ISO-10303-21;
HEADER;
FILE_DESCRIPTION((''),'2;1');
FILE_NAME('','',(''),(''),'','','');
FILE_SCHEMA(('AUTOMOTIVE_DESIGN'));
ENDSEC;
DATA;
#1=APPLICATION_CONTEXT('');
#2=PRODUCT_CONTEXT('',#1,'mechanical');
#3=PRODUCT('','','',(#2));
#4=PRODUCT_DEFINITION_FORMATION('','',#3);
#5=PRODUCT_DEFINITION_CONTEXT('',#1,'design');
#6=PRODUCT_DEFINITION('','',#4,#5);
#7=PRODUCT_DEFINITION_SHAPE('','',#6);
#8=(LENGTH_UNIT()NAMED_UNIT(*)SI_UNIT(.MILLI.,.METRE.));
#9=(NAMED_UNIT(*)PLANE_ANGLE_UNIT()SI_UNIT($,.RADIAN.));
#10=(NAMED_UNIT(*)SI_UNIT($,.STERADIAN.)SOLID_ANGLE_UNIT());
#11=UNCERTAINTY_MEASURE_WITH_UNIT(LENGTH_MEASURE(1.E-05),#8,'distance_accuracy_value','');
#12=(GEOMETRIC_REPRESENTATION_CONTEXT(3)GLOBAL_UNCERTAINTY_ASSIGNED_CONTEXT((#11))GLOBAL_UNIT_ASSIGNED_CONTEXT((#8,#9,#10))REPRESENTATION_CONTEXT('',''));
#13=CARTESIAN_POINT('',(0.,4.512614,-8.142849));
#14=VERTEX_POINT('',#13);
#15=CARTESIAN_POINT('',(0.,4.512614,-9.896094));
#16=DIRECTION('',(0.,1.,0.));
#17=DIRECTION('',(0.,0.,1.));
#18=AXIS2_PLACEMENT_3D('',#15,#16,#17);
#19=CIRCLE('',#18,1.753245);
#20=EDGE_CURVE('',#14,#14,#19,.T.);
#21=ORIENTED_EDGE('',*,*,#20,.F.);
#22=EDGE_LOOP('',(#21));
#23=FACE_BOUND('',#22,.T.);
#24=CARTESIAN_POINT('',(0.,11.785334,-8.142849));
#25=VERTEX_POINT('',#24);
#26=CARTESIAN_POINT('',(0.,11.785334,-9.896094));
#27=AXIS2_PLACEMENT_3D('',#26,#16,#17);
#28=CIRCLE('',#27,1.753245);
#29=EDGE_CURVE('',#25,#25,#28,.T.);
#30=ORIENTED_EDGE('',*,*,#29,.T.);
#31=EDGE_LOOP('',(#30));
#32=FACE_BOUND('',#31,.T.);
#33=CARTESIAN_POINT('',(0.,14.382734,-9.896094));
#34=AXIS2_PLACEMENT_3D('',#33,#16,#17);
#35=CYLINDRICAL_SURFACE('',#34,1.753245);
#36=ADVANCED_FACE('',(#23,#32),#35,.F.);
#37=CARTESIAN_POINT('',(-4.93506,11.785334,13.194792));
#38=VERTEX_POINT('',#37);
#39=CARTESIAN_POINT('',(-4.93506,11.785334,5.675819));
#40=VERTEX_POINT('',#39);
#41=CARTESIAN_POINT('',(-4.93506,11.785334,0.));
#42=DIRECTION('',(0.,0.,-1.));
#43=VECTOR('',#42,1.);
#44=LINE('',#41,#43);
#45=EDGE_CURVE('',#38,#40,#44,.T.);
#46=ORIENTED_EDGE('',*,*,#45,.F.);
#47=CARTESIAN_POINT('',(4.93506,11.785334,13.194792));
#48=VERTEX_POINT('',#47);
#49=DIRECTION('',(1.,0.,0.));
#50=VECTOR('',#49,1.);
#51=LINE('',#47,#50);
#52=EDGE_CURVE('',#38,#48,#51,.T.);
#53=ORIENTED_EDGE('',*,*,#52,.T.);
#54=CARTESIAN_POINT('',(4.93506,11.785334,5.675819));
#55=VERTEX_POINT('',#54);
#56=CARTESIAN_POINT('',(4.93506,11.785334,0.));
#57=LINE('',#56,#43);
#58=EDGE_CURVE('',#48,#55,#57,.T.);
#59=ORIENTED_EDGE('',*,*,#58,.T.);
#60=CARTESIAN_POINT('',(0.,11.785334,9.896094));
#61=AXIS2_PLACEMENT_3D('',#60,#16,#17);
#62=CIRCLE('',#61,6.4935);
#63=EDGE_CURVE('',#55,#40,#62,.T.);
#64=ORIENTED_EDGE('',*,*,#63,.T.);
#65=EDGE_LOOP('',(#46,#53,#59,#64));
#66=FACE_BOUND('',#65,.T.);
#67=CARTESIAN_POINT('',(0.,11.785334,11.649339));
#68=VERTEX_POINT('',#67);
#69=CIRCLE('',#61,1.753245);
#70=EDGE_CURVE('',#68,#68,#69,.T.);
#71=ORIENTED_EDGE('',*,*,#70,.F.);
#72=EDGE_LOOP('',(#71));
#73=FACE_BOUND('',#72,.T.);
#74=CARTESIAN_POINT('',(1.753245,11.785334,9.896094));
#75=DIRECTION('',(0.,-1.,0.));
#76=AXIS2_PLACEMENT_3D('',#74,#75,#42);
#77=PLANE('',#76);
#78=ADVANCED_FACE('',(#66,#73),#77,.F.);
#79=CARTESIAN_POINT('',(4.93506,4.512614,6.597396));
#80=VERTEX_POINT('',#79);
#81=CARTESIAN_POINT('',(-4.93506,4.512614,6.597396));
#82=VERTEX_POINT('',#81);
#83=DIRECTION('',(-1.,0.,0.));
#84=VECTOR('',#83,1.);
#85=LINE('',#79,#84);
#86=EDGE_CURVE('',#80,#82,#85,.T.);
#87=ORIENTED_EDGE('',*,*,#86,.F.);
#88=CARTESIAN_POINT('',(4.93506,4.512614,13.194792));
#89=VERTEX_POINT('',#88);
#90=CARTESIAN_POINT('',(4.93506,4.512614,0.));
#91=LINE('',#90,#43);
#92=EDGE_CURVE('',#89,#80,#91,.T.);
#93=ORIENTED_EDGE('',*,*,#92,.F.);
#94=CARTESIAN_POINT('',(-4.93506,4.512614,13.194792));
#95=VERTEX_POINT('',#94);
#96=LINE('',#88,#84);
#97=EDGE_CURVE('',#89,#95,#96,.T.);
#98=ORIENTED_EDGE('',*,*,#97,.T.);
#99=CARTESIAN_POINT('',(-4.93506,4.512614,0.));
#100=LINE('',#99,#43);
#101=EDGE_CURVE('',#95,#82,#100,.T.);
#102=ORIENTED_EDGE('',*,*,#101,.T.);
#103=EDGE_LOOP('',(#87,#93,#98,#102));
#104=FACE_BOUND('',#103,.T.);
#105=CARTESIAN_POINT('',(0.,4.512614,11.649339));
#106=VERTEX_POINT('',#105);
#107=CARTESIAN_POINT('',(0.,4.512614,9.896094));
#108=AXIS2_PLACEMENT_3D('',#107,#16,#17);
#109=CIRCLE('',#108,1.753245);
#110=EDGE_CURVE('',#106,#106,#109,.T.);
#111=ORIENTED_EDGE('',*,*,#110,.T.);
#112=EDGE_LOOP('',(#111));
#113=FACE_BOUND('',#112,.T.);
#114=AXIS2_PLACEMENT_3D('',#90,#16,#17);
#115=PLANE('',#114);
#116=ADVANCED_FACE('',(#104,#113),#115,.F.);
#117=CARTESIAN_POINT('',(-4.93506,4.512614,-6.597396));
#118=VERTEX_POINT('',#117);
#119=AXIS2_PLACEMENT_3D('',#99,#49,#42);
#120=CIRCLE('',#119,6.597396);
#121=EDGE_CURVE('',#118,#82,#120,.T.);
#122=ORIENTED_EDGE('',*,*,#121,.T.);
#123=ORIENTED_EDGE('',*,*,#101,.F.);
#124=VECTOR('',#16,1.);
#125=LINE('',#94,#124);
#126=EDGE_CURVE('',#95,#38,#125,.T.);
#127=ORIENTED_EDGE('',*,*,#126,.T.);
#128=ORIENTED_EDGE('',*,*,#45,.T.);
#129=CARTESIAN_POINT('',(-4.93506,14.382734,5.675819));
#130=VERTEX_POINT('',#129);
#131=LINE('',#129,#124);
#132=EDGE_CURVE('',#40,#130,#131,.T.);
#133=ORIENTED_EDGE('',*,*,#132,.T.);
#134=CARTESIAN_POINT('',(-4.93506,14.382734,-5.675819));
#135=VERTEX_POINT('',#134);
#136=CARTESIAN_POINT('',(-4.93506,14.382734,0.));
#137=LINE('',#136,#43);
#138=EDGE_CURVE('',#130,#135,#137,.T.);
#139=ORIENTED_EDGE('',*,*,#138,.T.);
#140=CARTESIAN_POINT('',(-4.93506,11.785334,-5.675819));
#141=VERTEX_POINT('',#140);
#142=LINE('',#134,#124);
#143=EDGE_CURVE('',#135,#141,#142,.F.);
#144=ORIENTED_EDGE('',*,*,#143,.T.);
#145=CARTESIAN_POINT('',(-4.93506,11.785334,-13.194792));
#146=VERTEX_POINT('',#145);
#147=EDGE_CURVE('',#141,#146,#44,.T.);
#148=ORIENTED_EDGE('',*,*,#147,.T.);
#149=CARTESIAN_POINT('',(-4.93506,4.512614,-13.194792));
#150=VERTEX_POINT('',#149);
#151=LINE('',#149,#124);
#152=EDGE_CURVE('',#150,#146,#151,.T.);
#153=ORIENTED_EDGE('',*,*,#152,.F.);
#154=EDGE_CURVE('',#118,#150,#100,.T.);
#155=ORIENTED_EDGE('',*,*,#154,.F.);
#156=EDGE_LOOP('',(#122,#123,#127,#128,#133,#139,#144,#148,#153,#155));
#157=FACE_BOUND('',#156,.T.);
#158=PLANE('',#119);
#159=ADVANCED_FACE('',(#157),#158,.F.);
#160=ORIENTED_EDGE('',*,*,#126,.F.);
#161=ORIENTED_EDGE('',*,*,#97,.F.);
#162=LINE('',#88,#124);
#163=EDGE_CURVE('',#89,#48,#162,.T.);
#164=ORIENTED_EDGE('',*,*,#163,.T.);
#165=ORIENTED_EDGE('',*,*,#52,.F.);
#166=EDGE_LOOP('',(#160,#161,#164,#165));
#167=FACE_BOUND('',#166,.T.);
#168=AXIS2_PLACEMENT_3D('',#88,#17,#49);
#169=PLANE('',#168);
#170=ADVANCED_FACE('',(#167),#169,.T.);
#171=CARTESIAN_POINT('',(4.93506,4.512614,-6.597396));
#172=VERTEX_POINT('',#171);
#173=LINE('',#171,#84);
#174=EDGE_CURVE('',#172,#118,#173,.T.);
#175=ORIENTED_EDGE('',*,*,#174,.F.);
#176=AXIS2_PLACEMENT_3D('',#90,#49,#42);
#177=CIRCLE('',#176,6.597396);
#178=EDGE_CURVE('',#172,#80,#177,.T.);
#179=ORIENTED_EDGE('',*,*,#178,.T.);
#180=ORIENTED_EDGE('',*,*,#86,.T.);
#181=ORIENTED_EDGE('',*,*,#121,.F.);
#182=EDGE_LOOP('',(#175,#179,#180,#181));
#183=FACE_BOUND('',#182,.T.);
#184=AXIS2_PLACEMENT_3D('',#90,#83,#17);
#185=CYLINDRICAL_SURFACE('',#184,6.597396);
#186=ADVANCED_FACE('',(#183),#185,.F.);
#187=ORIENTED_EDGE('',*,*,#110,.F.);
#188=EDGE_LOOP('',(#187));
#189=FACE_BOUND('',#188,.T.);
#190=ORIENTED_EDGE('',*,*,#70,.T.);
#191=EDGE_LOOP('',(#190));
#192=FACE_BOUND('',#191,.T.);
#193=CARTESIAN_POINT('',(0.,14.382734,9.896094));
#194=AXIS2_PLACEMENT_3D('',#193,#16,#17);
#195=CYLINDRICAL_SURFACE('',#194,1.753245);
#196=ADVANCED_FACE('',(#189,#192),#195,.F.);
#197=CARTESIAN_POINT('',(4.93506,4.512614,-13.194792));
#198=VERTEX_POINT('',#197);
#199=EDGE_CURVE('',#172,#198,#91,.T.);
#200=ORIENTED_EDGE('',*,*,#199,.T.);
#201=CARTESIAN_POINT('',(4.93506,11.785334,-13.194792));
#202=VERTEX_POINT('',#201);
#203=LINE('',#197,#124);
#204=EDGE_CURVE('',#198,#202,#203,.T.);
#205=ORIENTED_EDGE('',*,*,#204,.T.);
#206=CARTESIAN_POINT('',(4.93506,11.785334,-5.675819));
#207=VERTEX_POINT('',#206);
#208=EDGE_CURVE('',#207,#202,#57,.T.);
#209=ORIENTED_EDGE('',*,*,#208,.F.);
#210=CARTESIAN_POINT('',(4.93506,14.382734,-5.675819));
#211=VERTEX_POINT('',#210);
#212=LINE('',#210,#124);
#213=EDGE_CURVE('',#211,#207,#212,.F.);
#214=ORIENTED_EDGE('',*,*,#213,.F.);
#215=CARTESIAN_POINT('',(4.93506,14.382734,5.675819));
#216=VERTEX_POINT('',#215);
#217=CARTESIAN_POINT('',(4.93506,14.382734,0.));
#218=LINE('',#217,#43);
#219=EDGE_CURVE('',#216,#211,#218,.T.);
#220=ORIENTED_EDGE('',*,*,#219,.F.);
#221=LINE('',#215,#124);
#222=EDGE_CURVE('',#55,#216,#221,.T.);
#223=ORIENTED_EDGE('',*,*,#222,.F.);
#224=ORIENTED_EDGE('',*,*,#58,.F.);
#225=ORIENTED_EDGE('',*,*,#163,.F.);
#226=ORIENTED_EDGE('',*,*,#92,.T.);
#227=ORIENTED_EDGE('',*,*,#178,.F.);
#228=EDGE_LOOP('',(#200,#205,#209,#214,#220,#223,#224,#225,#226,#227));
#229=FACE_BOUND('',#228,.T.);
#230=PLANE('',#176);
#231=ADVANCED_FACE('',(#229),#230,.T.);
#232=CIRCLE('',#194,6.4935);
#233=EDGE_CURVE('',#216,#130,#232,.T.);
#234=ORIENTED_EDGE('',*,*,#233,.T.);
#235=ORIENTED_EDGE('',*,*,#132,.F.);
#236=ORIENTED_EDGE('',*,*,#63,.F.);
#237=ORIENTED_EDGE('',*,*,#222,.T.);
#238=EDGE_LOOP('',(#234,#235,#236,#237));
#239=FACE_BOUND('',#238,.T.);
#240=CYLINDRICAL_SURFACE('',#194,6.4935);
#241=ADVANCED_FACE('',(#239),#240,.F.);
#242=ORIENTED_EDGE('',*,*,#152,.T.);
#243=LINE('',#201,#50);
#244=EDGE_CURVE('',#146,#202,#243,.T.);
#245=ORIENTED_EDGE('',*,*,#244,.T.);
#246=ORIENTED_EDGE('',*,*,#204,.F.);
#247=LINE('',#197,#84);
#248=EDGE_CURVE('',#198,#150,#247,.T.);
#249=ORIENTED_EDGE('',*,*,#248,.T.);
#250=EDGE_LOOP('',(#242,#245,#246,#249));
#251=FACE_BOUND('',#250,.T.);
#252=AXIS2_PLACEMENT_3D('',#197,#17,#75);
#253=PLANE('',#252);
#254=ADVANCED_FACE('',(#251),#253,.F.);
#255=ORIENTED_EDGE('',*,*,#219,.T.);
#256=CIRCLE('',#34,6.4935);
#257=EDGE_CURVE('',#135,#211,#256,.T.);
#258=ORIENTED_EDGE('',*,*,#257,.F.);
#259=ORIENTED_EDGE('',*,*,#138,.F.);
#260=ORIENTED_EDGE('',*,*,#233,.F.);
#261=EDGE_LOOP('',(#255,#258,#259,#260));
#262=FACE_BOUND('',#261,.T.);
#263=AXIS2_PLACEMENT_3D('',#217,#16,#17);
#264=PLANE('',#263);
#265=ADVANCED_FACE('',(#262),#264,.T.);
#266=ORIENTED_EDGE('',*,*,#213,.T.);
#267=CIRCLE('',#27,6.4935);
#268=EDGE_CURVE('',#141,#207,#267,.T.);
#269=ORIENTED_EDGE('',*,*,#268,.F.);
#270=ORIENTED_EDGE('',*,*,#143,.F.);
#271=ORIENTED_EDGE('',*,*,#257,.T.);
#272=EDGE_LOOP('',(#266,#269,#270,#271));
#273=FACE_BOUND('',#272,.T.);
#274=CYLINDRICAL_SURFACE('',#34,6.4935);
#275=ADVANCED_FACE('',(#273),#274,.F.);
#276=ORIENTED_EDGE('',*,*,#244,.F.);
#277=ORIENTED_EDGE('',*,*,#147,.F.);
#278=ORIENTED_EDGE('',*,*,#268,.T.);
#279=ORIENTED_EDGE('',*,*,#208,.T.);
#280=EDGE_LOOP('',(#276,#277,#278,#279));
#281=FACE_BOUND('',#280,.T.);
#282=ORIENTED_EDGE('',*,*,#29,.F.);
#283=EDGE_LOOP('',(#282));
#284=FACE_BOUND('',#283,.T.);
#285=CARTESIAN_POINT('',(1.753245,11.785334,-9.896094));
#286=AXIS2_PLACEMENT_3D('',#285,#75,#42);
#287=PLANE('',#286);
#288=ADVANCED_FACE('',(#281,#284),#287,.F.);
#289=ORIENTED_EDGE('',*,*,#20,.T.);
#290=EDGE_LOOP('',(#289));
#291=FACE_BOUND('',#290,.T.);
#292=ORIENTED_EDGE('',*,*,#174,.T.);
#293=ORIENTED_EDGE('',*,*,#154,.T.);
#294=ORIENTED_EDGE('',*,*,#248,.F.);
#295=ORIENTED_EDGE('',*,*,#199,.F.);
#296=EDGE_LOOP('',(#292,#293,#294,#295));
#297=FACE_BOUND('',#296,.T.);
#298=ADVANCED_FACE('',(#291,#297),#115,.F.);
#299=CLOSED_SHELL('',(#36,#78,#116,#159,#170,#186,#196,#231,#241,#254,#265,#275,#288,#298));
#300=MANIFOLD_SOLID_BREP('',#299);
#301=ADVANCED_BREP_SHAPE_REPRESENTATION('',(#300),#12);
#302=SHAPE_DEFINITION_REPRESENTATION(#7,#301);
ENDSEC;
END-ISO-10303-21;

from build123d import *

# Parameters (mm, degrees)
BOSS_EXTRUDE1_DEPTH                           = 9.5
CBORE_FOR_M12_HEX_HEAD_CAP_SCREW2_D           = 6.75
CBORE_FOR_M12_HEX_HEAD_CAP_SCREW2_CBORE_D     = 25
CBORE_FOR_M12_HEX_HEAD_CAP_SCREW2_CBORE_DEPTH = 5
SCALE1_SCALE                                  = 0.51948


with BuildPart() as part:
    # Sketch1 → Boss-Extrude1 (new, symmetric)
    with BuildSketch(Plane(origin=(0, 0, 0), x_dir=(0, 0, -1), z_dir=(1, 0, 0))):
        with BuildLine():
            ThreePointArc((-12.7, 0), (0, 12.7), (12.7, 0))
            Line((12.7, 0), (25.4, 0))
            Line((25.4, 0), (25.4, 19))
            Line((25.4, 19), (-25.4, 19))
            Line((-25.4, 19), (-25.4, 0))
            Line((-25.4, 0), (-12.7, 0))
        make_face()
    extrude(amount=BOSS_EXTRUDE1_DEPTH, both=True)

    # CBORE for M12 Hex Head Cap Screw2 (through all)
    with Locations(Plane(origin=(0, 19, 0), x_dir=(1, 0, 0), z_dir=(0, 1, 0))):
        with Locations((0, 19.05), (0, -19.05)):
            CounterBoreHole(CBORE_FOR_M12_HEX_HEAD_CAP_SCREW2_D / 2, CBORE_FOR_M12_HEX_HEAD_CAP_SCREW2_CBORE_D / 2, CBORE_FOR_M12_HEX_HEAD_CAP_SCREW2_CBORE_DEPTH)


with BuildPart() as part_1:
    # Scale1: scaled about (0, 9.391105983, 0)
    add(part.part.scale(SCALE1_SCALE).moved(Location((0, 4.512614247, 0))))


solid = part_1.part
